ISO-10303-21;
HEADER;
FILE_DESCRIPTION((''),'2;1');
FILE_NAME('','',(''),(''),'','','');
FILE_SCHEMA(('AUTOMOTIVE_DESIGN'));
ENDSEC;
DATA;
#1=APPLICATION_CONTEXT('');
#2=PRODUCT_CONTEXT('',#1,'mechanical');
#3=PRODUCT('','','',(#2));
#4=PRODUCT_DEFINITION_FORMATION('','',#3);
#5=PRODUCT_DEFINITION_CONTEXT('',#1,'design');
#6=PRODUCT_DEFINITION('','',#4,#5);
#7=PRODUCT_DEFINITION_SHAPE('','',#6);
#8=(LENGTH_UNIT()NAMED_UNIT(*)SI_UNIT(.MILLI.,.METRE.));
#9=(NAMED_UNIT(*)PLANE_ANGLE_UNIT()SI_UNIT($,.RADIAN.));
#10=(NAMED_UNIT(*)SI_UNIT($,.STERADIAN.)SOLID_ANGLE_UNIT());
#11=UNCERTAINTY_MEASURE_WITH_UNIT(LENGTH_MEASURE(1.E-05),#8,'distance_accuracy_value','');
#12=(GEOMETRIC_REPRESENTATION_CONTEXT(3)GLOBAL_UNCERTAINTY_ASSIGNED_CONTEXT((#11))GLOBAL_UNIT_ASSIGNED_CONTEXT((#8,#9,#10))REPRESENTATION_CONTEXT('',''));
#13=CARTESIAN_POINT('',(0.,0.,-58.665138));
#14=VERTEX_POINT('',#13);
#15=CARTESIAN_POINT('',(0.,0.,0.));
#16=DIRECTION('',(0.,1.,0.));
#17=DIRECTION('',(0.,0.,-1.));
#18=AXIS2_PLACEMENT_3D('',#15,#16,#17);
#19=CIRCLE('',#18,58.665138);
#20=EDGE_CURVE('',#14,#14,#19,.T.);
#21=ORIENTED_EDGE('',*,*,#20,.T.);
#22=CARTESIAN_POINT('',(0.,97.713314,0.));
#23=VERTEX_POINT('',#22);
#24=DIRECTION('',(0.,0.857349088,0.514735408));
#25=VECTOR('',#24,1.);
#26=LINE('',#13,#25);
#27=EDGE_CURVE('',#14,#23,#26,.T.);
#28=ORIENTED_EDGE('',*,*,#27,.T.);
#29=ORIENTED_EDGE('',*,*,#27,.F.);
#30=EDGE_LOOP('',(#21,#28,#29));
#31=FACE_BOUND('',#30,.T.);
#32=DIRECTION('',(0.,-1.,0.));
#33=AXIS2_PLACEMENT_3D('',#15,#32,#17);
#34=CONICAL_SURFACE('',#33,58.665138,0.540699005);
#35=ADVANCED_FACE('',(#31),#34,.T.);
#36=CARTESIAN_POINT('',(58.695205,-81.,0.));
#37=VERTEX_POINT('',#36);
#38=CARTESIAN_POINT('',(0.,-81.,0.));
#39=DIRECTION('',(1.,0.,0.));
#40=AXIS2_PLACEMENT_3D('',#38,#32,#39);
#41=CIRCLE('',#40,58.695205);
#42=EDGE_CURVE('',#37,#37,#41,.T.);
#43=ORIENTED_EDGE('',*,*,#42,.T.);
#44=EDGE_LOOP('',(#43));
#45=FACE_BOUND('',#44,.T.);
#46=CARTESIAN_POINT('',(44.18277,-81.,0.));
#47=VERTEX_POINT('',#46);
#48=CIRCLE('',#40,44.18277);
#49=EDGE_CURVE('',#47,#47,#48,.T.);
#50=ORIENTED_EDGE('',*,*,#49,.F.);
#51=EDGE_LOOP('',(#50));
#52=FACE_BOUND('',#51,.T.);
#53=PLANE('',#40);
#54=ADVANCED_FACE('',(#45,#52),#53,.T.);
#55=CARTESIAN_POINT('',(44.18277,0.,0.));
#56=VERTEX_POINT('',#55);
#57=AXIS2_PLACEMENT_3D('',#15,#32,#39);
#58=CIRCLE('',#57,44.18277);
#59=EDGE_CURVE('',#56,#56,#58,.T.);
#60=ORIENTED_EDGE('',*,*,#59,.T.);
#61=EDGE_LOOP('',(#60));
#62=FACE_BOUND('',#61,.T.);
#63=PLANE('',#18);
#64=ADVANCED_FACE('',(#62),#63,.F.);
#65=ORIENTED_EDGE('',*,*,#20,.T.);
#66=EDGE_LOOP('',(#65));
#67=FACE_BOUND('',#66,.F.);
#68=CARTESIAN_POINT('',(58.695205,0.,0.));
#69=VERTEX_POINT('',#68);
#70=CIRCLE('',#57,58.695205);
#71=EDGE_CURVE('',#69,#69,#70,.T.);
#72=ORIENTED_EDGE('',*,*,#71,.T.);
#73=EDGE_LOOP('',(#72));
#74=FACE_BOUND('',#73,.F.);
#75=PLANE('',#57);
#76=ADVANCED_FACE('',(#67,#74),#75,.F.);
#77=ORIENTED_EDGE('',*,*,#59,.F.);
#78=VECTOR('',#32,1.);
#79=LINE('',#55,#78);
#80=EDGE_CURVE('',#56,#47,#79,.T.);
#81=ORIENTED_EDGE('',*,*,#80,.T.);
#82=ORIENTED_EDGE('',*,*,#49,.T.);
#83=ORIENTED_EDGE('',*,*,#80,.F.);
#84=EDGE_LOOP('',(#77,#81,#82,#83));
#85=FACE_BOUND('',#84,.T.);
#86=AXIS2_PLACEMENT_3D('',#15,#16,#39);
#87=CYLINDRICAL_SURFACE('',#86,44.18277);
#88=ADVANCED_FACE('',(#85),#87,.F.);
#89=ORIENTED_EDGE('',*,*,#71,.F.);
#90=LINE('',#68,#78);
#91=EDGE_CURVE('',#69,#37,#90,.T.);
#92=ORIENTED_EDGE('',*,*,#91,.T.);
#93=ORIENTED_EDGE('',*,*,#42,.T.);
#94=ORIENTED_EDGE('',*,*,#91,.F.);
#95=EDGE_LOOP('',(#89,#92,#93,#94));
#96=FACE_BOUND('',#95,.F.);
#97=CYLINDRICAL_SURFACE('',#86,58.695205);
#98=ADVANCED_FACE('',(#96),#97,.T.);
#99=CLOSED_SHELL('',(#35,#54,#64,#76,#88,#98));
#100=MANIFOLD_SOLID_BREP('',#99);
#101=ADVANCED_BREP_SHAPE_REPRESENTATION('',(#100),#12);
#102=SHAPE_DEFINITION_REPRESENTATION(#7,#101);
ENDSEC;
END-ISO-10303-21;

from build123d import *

# Parameters (mm, degrees)
F0_R     = 58.695205
F0_R_2   = 44.18277
F1_DEPTH = 81


with BuildPart() as f1:
    # F0 (on Front) → F1 (new body)
    with BuildSketch(Plane.XZ):
        Circle(F0_R)
        Circle(F0_R_2, mode=Mode.SUBTRACT)
    extrude(amount=F1_DEPTH)

    # F2 (on Right) → F4 (revolve)
    with BuildSketch(Plane.YZ):
        Polygon((97.713314, 0), (0, 0), (0, -58.665138), align=None)
    revolve(axis=Axis((0, 41.215118, 0), (0, 1, 0)))


solid = f1.part
